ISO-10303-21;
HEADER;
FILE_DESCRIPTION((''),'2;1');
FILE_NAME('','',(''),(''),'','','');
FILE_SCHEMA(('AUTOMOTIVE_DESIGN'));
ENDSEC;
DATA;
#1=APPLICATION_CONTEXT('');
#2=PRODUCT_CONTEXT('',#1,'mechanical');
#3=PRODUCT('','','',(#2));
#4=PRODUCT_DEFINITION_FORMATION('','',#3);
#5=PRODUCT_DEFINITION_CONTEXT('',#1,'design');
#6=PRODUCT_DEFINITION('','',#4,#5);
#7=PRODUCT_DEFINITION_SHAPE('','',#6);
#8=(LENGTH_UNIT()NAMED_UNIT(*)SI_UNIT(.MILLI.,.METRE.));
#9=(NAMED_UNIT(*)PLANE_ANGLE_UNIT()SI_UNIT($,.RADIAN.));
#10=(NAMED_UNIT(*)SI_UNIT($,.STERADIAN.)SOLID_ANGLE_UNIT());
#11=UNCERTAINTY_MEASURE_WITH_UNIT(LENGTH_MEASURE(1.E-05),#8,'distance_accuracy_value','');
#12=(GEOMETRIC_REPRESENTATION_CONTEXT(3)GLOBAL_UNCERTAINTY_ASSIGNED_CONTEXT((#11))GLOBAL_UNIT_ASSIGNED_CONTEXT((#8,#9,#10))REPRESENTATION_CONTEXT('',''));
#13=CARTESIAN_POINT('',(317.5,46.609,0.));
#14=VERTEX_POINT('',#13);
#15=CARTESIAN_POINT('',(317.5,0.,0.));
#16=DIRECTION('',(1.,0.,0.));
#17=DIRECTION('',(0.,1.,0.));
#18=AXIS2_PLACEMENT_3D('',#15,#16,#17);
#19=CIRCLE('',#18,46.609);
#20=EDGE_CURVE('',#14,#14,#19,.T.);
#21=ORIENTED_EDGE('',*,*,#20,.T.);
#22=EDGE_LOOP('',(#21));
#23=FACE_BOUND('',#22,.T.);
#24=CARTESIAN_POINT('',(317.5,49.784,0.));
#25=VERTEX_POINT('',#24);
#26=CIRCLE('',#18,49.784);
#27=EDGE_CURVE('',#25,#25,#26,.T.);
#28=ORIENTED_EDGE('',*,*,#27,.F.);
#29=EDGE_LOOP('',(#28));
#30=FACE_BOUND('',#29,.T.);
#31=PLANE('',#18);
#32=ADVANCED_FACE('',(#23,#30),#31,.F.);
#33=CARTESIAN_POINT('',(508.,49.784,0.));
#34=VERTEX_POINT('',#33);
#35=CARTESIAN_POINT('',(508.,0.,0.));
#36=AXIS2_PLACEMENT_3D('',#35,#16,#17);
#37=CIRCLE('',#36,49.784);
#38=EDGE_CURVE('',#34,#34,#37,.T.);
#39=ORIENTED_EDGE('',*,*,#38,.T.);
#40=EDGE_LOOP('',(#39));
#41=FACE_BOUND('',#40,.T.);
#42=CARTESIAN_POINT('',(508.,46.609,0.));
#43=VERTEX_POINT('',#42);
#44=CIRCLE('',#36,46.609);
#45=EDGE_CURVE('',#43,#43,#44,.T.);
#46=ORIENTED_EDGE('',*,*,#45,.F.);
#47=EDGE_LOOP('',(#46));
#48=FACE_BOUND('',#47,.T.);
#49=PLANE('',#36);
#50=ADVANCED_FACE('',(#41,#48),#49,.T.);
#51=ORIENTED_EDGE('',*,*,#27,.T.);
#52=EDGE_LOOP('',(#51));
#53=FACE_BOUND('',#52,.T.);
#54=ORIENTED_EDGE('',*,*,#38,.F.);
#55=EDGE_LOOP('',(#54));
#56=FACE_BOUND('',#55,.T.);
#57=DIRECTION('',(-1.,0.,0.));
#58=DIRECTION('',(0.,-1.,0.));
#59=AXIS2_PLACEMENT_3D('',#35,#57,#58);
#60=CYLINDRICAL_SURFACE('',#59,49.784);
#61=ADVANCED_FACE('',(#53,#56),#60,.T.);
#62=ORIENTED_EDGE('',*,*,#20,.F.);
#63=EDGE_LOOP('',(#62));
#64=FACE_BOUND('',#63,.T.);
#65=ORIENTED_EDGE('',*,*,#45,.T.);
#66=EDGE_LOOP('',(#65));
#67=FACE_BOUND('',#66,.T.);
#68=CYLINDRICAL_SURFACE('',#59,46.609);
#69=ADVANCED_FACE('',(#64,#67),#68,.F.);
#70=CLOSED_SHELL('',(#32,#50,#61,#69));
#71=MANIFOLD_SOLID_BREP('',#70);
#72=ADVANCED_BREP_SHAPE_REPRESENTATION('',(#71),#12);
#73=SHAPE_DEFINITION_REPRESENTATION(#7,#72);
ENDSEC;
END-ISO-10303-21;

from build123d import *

# Parameters (mm, degrees)
SKETCH2_R           = 49.784
BOSS_EXTRUDE1_DEPTH = 203.2
SKETCH3_R           = 11.74839717
BOSS_EXTRUDE2_DEPTH = 50.8
SKETCH4_R           = 53.885165976
CUT_EXTRUDE1_DEPTH  = 375.969043164
SHELL1_T            = -3.175


with BuildPart() as part:
    # Sketch1 → Revolve1 (revolve)
    with BuildSketch(Plane.XY):
        with BuildLine():
            Line((304.8, 49.784), (304.8, 0))
            Line((304.8, 0), (0, 0))
            Line((0, 0), (0, 11.748397173))
            add(Edge.make_bspline(
                [(0, 11.748397173), (0.424160675, 11.855932678), (1.277768006, 12.07173392), (3.085410505, 12.527272667), (5.106222596, 13.032281093), (7.110128552, 13.529344024), (9.159948224, 14.034387922), (11.195444228, 14.532141119), (13.233412884, 15.026861964), (15.805049223, 15.64653599), (18.91026091, 16.387291474), (22.550652523, 17.244690048), (26.727238439, 18.213147263), (31.952168035, 19.405675489), (42.412897925, 21.742539102), (62.333903875, 25.976370199), (110.770450737, 35.225121195), (160.70732909, 42.159920913), (207.702302928, 46.434962608), (245.168015054, 48.368183749), (253.734807707, 48.740972714), (260.161369668, 48.98354131), (264.446272339, 49.130442523), (268.731666265, 49.262530797), (273.017475857, 49.379804553), (277.303691578, 49.48226239), (281.590188304, 49.569903083), (285.329649653, 49.633426545), (288.521672796, 49.67849525), (291.166731437, 49.70980578), (293.263778354, 49.731088433), (295.359186858, 49.74882407), (297.470177021, 49.76301264), (299.535126271, 49.773654103), (301.617177871, 49.780748429), (303.482211221, 49.783408805), (304.362420109, 49.784), (304.8, 49.784)],
                knots=[0.082917815, 0.082917815, 0.082917815, 0.082917815, 0.082917815, 0.088601511, 0.094285207, 0.099968902, 0.105652598, 0.111336294, 0.11701999, 0.122703686, 0.128387381, 0.140005218, 0.151623054, 0.16324089, 0.174858727, 0.198094396, 0.267801409, 0.383979763, 0.709279153, 0.744132659, 0.778986165, 0.790604, 0.802221836, 0.813839671, 0.825457507, 0.837075342, 0.848693177, 0.860311013, 0.871928848, 0.877612544, 0.883296239, 0.888979935, 0.89466363, 0.900347326, 0.906031021, 0.911714717, 0.917398412, 0.917398412, 0.917398412, 0.917398412, 0.917398412], degree=4))
        make_face()
    revolve(axis=Axis((304.8, 0, 0), (-1, 0, 0)))

    # Sketch2 → Boss-Extrude1 (add)
    with BuildSketch(Plane(origin=(304.8, 0, 0), x_dir=(0, 0, -1), z_dir=(1, 0, 0))):
        with Locations(Location((0, 0, 0), (0, 0, 90))):
            Circle(SKETCH2_R)
    extrude(amount=BOSS_EXTRUDE1_DEPTH)

    # Sketch3 → Boss-Extrude2 (add)
    with BuildSketch(Plane.ZY):
        with Locations(Location((0, 0, 0), (0, 0, 270))):
            Circle(SKETCH3_R)
    extrude(amount=BOSS_EXTRUDE2_DEPTH)

    # Sketch4 → Cut-Extrude1 (cut, through all)
    with BuildSketch(Plane(origin=(317.5, 0, 0), x_dir=(0, 0, -1), z_dir=(1, 0, 0))):
        Circle(SKETCH4_R)
    extrude(amount=-CUT_EXTRUDE1_DEPTH, mode=Mode.SUBTRACT)

    # Shell1
    shell1_openings = [part.faces().sort_by_distance(p)[0] for p in [
        (508, 0, 0),
        (317.5, 0, 0),
    ]]
    offset(amount=SHELL1_T, openings=shell1_openings, kind=Kind.INTERSECTION)


solid = part.part
